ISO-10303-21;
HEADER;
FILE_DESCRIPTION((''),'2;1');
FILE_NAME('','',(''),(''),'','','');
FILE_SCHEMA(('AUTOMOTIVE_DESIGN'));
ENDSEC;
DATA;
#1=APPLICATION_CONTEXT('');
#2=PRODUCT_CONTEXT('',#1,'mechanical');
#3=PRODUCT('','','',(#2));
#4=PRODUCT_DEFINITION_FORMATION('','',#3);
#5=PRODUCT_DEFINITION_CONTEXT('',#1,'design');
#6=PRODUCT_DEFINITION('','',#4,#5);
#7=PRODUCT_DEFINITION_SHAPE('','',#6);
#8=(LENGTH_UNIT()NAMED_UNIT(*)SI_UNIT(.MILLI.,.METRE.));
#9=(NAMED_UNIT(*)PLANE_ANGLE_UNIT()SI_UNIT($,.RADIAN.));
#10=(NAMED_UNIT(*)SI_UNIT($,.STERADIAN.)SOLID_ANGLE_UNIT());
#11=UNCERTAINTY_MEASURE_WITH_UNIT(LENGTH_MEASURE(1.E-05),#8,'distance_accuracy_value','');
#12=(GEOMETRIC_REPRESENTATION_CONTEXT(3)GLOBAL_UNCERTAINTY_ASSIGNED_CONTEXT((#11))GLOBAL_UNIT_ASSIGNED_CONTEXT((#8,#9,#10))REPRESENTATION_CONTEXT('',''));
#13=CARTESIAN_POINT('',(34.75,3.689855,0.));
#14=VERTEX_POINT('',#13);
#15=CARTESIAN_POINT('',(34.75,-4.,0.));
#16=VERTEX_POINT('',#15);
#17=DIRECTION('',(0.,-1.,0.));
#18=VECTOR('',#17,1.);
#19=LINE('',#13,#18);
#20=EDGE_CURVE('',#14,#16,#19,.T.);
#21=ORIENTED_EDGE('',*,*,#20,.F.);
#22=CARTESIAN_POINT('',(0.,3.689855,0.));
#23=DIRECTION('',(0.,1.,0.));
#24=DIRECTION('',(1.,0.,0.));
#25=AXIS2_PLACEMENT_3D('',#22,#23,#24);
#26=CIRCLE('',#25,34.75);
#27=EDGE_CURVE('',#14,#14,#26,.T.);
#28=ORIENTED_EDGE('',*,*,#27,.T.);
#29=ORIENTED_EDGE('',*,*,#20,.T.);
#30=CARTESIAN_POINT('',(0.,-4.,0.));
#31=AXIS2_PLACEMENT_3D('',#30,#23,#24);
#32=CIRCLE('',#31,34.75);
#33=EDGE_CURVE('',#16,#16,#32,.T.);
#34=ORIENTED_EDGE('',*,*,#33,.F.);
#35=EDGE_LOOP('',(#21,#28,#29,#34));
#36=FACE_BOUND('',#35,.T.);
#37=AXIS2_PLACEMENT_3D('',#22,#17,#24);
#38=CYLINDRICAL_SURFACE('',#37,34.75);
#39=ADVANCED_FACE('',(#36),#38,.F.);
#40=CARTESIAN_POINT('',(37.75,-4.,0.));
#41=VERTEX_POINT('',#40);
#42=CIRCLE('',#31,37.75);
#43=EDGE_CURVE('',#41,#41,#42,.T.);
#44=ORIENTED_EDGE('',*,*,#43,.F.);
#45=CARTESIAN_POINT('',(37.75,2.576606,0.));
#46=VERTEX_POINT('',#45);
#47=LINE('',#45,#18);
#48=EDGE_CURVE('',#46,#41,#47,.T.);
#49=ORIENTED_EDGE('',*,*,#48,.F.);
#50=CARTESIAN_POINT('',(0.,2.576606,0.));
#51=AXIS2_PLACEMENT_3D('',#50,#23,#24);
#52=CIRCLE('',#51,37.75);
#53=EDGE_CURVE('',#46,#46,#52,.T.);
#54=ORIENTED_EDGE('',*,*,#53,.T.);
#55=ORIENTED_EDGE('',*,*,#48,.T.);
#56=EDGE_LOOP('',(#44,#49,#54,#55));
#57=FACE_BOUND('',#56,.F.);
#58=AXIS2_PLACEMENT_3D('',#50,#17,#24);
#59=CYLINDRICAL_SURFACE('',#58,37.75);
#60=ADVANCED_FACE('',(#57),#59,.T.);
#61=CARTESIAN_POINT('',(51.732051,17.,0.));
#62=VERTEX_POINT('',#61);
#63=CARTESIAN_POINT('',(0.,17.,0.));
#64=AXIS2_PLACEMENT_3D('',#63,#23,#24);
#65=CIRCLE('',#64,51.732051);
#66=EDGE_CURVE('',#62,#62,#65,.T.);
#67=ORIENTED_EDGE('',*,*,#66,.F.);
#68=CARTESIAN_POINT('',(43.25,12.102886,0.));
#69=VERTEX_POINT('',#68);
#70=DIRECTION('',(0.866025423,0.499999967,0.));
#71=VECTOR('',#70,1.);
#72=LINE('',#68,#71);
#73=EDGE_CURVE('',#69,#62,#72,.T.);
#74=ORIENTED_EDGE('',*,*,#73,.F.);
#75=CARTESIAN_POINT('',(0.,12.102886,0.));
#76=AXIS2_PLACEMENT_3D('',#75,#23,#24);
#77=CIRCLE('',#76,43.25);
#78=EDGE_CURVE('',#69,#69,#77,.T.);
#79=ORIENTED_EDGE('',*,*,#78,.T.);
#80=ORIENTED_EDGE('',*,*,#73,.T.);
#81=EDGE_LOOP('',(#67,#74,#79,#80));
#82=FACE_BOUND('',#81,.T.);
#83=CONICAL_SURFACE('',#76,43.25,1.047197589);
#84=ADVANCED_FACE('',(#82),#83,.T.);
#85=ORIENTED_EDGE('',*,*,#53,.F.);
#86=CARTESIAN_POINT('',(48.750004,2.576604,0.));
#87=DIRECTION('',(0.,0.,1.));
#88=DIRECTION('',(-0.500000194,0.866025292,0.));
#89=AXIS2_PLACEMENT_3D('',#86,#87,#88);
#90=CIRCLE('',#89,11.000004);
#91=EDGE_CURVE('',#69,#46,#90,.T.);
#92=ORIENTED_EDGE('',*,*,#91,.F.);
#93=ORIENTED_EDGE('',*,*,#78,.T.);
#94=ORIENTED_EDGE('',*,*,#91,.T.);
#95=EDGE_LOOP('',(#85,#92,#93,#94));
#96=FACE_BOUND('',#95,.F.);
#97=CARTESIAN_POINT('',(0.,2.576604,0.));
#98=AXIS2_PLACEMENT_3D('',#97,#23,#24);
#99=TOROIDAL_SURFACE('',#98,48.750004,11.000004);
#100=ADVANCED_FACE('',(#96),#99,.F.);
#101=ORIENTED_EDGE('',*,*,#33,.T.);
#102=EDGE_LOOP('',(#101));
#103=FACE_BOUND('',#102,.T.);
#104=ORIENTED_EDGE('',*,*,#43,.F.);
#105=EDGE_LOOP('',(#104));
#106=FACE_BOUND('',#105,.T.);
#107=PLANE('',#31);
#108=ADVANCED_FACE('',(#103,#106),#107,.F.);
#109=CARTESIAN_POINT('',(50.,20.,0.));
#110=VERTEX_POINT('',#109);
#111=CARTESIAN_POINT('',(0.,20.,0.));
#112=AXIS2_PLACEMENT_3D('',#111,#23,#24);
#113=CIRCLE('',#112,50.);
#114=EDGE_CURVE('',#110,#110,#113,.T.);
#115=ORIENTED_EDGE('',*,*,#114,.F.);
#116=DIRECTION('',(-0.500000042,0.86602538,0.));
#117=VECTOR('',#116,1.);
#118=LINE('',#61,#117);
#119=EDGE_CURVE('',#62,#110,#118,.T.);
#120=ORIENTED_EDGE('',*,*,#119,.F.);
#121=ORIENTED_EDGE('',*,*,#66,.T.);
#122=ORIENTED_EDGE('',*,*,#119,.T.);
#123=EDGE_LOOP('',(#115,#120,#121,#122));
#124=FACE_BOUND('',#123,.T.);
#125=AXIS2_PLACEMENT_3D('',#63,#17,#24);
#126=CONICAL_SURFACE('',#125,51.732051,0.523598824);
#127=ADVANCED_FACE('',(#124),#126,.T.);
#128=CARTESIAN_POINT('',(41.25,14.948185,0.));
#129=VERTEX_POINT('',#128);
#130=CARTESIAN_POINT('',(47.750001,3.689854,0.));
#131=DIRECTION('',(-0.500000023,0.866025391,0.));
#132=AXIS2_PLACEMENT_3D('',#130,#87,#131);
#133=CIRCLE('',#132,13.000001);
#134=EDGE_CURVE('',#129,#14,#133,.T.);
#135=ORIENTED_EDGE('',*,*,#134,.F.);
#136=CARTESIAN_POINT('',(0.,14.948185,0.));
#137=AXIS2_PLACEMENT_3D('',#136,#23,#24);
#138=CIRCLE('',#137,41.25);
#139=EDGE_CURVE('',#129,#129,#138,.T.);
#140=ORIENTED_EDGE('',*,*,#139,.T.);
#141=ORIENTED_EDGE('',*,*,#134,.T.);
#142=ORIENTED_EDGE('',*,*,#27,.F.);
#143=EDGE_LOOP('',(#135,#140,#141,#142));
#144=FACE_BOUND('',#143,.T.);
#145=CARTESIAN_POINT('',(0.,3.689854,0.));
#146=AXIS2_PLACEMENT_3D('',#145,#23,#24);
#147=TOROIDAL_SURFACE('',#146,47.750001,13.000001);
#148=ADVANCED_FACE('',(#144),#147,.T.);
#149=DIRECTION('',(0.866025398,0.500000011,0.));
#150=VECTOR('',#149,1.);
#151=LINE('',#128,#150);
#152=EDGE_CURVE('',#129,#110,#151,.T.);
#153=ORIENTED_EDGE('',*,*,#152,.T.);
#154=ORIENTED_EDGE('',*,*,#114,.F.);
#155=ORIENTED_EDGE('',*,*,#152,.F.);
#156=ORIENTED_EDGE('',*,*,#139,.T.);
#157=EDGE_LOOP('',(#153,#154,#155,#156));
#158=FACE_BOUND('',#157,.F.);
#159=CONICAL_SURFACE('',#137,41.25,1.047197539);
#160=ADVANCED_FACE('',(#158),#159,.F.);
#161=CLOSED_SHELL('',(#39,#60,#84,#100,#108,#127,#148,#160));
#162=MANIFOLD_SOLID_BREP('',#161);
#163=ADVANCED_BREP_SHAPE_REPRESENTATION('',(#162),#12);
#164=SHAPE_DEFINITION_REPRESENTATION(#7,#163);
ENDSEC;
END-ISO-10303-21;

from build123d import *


with BuildPart() as part:
    # Sketch → Revolution (revolve)
    with BuildSketch(Plane.XY):
        with BuildLine():
            Line((43.25, 12.102886), (51.732051, 17))
            Line((51.732051, 17), (50, 20))
            Line((41.25, 14.948185), (50, 20))
            ThreePointArc((41.25, 14.948185), (36.49167, 10.189855), (34.75, 3.689855))
            Line((34.75, 3.689855), (34.75, -4))
            Line((34.75, -4), (37.75, -4))
            Line((37.75, 2.576606), (37.75, -4))
            ThreePointArc((43.25, 12.102886), (39.223721, 8.076606), (37.75, 2.576606))
        make_face()
    revolve(axis=Axis((0, 0, 0), (0, 1, 0)))


solid = part.part
